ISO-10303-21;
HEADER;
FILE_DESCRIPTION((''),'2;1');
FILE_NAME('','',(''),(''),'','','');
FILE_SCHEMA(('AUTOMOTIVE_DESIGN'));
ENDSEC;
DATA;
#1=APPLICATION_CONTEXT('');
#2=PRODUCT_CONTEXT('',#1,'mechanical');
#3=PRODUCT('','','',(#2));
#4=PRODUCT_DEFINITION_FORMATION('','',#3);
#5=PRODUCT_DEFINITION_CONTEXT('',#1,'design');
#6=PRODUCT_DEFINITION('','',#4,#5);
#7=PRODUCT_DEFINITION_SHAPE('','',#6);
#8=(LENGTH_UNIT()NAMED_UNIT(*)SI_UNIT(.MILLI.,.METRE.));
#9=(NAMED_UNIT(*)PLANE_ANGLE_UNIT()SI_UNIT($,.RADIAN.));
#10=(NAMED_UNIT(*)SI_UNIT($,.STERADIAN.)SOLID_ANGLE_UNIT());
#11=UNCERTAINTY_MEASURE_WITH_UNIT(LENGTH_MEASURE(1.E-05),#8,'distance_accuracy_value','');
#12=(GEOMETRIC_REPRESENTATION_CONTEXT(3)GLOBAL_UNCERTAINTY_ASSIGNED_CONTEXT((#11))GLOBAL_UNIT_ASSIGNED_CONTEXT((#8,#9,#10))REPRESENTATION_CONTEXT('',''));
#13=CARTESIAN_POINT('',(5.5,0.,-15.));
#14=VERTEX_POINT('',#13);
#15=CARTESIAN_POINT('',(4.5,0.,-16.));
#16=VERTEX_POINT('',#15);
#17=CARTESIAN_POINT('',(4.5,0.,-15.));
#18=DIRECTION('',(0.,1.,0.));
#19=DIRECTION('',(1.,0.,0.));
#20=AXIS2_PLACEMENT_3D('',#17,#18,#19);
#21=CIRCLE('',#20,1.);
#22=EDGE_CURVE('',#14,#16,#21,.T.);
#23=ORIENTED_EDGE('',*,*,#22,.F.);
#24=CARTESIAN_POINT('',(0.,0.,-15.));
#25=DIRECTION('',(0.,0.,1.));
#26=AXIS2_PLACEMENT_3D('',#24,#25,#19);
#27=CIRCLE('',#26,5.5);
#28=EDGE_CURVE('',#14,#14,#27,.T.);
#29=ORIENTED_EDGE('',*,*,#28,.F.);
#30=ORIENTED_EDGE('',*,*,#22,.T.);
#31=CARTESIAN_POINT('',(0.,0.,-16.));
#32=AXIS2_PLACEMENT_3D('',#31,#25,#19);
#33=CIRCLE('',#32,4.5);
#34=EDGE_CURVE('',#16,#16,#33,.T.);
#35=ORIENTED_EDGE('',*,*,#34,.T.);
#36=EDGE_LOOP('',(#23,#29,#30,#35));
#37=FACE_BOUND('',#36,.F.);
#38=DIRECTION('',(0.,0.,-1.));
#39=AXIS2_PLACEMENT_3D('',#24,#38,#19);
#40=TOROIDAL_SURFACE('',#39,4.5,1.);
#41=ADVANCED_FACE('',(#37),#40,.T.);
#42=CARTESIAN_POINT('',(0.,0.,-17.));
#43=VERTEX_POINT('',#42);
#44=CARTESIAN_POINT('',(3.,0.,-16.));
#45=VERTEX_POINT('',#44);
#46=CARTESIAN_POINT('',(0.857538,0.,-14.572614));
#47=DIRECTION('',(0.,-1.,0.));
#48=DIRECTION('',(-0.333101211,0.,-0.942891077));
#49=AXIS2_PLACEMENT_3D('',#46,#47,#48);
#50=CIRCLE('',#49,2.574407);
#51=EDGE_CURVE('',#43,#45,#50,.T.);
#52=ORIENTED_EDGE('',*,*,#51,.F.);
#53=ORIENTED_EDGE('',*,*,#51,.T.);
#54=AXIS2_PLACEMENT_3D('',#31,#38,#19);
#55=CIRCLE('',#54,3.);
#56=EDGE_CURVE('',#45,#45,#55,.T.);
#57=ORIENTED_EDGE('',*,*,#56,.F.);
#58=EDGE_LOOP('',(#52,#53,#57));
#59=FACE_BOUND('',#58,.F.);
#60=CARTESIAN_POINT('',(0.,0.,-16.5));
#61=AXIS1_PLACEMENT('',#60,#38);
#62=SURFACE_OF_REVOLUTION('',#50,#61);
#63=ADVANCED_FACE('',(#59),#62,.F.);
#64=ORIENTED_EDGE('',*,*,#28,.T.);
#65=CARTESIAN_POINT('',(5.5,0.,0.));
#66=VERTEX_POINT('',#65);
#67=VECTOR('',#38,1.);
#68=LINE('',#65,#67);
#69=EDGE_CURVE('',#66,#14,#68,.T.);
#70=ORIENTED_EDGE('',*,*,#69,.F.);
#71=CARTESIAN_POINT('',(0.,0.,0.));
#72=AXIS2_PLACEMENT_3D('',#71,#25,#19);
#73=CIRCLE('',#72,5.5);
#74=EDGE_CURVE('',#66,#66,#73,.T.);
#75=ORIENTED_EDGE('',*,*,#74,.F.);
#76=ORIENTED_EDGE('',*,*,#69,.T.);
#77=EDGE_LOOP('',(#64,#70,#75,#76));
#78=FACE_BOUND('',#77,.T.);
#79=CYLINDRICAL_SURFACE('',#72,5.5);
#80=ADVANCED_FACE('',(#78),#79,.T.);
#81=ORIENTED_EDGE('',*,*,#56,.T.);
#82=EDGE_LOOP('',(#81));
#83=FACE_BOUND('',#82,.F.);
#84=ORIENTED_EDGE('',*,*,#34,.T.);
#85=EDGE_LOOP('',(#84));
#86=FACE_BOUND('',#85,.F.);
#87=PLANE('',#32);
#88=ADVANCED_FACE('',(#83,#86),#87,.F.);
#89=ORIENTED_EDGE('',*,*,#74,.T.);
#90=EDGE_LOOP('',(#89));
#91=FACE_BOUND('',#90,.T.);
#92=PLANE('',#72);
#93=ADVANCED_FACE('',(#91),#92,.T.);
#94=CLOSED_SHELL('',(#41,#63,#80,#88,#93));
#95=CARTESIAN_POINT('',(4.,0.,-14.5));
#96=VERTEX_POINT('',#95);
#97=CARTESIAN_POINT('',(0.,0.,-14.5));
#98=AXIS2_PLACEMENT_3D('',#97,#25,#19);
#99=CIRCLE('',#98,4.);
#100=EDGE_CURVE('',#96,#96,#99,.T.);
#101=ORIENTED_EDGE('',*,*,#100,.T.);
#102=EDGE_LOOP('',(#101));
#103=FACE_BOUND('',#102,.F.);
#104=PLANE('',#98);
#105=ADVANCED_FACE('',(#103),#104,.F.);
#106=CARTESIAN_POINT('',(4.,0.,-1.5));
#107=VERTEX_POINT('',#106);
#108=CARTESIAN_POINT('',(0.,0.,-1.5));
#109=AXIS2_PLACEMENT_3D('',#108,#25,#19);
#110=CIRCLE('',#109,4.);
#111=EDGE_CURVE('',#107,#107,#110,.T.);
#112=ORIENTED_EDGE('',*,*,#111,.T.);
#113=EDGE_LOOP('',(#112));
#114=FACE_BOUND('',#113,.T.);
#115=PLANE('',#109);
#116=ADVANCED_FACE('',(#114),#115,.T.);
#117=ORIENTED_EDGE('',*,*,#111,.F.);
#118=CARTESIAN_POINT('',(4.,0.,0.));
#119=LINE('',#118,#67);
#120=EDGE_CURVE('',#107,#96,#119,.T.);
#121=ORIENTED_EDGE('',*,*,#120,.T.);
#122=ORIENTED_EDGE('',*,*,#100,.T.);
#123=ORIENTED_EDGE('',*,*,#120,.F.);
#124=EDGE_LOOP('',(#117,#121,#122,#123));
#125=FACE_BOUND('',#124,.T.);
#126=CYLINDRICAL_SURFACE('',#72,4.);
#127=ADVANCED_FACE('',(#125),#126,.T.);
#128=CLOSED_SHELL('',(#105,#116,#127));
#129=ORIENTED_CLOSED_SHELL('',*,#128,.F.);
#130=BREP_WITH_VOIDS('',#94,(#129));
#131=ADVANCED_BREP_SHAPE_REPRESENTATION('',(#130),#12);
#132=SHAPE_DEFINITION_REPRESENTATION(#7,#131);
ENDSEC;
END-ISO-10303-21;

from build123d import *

# Parameters (mm, degrees)
F0_R     = 5.5
F1_DEPTH = 16
F2_R     = 1
F3_T     = -1.5


with BuildPart() as f1:
    # F0 (on Top) → F1 (new body)
    with BuildSketch(Plane.XY):
        Circle(F0_R)
    extrude(amount=-F1_DEPTH)

    # F2
    f2_edges = [f1.edges().sort_by_distance(p)[0] for p in [
        (-5.5, 0, -16),
    ]]
    fillet(f2_edges, radius=F2_R)

    # F3 (hollow: no face is removed)
    offset(amount=F3_T, mode=Mode.SUBTRACT)

    # F4 (on Front) → F5 (revolve)
    with BuildSketch(Plane.XZ):
        with BuildLine():
            Line((3, -16), (0, -16))
            Line((0, -16), (0, -17))
            ThreePointArc((0, -17), (1.6716371784, -17.0149115353), (3, -16))
        make_face()
    revolve(axis=Axis((0, 0, -16.5), (0, 0, -1)))


solid = f1.part
